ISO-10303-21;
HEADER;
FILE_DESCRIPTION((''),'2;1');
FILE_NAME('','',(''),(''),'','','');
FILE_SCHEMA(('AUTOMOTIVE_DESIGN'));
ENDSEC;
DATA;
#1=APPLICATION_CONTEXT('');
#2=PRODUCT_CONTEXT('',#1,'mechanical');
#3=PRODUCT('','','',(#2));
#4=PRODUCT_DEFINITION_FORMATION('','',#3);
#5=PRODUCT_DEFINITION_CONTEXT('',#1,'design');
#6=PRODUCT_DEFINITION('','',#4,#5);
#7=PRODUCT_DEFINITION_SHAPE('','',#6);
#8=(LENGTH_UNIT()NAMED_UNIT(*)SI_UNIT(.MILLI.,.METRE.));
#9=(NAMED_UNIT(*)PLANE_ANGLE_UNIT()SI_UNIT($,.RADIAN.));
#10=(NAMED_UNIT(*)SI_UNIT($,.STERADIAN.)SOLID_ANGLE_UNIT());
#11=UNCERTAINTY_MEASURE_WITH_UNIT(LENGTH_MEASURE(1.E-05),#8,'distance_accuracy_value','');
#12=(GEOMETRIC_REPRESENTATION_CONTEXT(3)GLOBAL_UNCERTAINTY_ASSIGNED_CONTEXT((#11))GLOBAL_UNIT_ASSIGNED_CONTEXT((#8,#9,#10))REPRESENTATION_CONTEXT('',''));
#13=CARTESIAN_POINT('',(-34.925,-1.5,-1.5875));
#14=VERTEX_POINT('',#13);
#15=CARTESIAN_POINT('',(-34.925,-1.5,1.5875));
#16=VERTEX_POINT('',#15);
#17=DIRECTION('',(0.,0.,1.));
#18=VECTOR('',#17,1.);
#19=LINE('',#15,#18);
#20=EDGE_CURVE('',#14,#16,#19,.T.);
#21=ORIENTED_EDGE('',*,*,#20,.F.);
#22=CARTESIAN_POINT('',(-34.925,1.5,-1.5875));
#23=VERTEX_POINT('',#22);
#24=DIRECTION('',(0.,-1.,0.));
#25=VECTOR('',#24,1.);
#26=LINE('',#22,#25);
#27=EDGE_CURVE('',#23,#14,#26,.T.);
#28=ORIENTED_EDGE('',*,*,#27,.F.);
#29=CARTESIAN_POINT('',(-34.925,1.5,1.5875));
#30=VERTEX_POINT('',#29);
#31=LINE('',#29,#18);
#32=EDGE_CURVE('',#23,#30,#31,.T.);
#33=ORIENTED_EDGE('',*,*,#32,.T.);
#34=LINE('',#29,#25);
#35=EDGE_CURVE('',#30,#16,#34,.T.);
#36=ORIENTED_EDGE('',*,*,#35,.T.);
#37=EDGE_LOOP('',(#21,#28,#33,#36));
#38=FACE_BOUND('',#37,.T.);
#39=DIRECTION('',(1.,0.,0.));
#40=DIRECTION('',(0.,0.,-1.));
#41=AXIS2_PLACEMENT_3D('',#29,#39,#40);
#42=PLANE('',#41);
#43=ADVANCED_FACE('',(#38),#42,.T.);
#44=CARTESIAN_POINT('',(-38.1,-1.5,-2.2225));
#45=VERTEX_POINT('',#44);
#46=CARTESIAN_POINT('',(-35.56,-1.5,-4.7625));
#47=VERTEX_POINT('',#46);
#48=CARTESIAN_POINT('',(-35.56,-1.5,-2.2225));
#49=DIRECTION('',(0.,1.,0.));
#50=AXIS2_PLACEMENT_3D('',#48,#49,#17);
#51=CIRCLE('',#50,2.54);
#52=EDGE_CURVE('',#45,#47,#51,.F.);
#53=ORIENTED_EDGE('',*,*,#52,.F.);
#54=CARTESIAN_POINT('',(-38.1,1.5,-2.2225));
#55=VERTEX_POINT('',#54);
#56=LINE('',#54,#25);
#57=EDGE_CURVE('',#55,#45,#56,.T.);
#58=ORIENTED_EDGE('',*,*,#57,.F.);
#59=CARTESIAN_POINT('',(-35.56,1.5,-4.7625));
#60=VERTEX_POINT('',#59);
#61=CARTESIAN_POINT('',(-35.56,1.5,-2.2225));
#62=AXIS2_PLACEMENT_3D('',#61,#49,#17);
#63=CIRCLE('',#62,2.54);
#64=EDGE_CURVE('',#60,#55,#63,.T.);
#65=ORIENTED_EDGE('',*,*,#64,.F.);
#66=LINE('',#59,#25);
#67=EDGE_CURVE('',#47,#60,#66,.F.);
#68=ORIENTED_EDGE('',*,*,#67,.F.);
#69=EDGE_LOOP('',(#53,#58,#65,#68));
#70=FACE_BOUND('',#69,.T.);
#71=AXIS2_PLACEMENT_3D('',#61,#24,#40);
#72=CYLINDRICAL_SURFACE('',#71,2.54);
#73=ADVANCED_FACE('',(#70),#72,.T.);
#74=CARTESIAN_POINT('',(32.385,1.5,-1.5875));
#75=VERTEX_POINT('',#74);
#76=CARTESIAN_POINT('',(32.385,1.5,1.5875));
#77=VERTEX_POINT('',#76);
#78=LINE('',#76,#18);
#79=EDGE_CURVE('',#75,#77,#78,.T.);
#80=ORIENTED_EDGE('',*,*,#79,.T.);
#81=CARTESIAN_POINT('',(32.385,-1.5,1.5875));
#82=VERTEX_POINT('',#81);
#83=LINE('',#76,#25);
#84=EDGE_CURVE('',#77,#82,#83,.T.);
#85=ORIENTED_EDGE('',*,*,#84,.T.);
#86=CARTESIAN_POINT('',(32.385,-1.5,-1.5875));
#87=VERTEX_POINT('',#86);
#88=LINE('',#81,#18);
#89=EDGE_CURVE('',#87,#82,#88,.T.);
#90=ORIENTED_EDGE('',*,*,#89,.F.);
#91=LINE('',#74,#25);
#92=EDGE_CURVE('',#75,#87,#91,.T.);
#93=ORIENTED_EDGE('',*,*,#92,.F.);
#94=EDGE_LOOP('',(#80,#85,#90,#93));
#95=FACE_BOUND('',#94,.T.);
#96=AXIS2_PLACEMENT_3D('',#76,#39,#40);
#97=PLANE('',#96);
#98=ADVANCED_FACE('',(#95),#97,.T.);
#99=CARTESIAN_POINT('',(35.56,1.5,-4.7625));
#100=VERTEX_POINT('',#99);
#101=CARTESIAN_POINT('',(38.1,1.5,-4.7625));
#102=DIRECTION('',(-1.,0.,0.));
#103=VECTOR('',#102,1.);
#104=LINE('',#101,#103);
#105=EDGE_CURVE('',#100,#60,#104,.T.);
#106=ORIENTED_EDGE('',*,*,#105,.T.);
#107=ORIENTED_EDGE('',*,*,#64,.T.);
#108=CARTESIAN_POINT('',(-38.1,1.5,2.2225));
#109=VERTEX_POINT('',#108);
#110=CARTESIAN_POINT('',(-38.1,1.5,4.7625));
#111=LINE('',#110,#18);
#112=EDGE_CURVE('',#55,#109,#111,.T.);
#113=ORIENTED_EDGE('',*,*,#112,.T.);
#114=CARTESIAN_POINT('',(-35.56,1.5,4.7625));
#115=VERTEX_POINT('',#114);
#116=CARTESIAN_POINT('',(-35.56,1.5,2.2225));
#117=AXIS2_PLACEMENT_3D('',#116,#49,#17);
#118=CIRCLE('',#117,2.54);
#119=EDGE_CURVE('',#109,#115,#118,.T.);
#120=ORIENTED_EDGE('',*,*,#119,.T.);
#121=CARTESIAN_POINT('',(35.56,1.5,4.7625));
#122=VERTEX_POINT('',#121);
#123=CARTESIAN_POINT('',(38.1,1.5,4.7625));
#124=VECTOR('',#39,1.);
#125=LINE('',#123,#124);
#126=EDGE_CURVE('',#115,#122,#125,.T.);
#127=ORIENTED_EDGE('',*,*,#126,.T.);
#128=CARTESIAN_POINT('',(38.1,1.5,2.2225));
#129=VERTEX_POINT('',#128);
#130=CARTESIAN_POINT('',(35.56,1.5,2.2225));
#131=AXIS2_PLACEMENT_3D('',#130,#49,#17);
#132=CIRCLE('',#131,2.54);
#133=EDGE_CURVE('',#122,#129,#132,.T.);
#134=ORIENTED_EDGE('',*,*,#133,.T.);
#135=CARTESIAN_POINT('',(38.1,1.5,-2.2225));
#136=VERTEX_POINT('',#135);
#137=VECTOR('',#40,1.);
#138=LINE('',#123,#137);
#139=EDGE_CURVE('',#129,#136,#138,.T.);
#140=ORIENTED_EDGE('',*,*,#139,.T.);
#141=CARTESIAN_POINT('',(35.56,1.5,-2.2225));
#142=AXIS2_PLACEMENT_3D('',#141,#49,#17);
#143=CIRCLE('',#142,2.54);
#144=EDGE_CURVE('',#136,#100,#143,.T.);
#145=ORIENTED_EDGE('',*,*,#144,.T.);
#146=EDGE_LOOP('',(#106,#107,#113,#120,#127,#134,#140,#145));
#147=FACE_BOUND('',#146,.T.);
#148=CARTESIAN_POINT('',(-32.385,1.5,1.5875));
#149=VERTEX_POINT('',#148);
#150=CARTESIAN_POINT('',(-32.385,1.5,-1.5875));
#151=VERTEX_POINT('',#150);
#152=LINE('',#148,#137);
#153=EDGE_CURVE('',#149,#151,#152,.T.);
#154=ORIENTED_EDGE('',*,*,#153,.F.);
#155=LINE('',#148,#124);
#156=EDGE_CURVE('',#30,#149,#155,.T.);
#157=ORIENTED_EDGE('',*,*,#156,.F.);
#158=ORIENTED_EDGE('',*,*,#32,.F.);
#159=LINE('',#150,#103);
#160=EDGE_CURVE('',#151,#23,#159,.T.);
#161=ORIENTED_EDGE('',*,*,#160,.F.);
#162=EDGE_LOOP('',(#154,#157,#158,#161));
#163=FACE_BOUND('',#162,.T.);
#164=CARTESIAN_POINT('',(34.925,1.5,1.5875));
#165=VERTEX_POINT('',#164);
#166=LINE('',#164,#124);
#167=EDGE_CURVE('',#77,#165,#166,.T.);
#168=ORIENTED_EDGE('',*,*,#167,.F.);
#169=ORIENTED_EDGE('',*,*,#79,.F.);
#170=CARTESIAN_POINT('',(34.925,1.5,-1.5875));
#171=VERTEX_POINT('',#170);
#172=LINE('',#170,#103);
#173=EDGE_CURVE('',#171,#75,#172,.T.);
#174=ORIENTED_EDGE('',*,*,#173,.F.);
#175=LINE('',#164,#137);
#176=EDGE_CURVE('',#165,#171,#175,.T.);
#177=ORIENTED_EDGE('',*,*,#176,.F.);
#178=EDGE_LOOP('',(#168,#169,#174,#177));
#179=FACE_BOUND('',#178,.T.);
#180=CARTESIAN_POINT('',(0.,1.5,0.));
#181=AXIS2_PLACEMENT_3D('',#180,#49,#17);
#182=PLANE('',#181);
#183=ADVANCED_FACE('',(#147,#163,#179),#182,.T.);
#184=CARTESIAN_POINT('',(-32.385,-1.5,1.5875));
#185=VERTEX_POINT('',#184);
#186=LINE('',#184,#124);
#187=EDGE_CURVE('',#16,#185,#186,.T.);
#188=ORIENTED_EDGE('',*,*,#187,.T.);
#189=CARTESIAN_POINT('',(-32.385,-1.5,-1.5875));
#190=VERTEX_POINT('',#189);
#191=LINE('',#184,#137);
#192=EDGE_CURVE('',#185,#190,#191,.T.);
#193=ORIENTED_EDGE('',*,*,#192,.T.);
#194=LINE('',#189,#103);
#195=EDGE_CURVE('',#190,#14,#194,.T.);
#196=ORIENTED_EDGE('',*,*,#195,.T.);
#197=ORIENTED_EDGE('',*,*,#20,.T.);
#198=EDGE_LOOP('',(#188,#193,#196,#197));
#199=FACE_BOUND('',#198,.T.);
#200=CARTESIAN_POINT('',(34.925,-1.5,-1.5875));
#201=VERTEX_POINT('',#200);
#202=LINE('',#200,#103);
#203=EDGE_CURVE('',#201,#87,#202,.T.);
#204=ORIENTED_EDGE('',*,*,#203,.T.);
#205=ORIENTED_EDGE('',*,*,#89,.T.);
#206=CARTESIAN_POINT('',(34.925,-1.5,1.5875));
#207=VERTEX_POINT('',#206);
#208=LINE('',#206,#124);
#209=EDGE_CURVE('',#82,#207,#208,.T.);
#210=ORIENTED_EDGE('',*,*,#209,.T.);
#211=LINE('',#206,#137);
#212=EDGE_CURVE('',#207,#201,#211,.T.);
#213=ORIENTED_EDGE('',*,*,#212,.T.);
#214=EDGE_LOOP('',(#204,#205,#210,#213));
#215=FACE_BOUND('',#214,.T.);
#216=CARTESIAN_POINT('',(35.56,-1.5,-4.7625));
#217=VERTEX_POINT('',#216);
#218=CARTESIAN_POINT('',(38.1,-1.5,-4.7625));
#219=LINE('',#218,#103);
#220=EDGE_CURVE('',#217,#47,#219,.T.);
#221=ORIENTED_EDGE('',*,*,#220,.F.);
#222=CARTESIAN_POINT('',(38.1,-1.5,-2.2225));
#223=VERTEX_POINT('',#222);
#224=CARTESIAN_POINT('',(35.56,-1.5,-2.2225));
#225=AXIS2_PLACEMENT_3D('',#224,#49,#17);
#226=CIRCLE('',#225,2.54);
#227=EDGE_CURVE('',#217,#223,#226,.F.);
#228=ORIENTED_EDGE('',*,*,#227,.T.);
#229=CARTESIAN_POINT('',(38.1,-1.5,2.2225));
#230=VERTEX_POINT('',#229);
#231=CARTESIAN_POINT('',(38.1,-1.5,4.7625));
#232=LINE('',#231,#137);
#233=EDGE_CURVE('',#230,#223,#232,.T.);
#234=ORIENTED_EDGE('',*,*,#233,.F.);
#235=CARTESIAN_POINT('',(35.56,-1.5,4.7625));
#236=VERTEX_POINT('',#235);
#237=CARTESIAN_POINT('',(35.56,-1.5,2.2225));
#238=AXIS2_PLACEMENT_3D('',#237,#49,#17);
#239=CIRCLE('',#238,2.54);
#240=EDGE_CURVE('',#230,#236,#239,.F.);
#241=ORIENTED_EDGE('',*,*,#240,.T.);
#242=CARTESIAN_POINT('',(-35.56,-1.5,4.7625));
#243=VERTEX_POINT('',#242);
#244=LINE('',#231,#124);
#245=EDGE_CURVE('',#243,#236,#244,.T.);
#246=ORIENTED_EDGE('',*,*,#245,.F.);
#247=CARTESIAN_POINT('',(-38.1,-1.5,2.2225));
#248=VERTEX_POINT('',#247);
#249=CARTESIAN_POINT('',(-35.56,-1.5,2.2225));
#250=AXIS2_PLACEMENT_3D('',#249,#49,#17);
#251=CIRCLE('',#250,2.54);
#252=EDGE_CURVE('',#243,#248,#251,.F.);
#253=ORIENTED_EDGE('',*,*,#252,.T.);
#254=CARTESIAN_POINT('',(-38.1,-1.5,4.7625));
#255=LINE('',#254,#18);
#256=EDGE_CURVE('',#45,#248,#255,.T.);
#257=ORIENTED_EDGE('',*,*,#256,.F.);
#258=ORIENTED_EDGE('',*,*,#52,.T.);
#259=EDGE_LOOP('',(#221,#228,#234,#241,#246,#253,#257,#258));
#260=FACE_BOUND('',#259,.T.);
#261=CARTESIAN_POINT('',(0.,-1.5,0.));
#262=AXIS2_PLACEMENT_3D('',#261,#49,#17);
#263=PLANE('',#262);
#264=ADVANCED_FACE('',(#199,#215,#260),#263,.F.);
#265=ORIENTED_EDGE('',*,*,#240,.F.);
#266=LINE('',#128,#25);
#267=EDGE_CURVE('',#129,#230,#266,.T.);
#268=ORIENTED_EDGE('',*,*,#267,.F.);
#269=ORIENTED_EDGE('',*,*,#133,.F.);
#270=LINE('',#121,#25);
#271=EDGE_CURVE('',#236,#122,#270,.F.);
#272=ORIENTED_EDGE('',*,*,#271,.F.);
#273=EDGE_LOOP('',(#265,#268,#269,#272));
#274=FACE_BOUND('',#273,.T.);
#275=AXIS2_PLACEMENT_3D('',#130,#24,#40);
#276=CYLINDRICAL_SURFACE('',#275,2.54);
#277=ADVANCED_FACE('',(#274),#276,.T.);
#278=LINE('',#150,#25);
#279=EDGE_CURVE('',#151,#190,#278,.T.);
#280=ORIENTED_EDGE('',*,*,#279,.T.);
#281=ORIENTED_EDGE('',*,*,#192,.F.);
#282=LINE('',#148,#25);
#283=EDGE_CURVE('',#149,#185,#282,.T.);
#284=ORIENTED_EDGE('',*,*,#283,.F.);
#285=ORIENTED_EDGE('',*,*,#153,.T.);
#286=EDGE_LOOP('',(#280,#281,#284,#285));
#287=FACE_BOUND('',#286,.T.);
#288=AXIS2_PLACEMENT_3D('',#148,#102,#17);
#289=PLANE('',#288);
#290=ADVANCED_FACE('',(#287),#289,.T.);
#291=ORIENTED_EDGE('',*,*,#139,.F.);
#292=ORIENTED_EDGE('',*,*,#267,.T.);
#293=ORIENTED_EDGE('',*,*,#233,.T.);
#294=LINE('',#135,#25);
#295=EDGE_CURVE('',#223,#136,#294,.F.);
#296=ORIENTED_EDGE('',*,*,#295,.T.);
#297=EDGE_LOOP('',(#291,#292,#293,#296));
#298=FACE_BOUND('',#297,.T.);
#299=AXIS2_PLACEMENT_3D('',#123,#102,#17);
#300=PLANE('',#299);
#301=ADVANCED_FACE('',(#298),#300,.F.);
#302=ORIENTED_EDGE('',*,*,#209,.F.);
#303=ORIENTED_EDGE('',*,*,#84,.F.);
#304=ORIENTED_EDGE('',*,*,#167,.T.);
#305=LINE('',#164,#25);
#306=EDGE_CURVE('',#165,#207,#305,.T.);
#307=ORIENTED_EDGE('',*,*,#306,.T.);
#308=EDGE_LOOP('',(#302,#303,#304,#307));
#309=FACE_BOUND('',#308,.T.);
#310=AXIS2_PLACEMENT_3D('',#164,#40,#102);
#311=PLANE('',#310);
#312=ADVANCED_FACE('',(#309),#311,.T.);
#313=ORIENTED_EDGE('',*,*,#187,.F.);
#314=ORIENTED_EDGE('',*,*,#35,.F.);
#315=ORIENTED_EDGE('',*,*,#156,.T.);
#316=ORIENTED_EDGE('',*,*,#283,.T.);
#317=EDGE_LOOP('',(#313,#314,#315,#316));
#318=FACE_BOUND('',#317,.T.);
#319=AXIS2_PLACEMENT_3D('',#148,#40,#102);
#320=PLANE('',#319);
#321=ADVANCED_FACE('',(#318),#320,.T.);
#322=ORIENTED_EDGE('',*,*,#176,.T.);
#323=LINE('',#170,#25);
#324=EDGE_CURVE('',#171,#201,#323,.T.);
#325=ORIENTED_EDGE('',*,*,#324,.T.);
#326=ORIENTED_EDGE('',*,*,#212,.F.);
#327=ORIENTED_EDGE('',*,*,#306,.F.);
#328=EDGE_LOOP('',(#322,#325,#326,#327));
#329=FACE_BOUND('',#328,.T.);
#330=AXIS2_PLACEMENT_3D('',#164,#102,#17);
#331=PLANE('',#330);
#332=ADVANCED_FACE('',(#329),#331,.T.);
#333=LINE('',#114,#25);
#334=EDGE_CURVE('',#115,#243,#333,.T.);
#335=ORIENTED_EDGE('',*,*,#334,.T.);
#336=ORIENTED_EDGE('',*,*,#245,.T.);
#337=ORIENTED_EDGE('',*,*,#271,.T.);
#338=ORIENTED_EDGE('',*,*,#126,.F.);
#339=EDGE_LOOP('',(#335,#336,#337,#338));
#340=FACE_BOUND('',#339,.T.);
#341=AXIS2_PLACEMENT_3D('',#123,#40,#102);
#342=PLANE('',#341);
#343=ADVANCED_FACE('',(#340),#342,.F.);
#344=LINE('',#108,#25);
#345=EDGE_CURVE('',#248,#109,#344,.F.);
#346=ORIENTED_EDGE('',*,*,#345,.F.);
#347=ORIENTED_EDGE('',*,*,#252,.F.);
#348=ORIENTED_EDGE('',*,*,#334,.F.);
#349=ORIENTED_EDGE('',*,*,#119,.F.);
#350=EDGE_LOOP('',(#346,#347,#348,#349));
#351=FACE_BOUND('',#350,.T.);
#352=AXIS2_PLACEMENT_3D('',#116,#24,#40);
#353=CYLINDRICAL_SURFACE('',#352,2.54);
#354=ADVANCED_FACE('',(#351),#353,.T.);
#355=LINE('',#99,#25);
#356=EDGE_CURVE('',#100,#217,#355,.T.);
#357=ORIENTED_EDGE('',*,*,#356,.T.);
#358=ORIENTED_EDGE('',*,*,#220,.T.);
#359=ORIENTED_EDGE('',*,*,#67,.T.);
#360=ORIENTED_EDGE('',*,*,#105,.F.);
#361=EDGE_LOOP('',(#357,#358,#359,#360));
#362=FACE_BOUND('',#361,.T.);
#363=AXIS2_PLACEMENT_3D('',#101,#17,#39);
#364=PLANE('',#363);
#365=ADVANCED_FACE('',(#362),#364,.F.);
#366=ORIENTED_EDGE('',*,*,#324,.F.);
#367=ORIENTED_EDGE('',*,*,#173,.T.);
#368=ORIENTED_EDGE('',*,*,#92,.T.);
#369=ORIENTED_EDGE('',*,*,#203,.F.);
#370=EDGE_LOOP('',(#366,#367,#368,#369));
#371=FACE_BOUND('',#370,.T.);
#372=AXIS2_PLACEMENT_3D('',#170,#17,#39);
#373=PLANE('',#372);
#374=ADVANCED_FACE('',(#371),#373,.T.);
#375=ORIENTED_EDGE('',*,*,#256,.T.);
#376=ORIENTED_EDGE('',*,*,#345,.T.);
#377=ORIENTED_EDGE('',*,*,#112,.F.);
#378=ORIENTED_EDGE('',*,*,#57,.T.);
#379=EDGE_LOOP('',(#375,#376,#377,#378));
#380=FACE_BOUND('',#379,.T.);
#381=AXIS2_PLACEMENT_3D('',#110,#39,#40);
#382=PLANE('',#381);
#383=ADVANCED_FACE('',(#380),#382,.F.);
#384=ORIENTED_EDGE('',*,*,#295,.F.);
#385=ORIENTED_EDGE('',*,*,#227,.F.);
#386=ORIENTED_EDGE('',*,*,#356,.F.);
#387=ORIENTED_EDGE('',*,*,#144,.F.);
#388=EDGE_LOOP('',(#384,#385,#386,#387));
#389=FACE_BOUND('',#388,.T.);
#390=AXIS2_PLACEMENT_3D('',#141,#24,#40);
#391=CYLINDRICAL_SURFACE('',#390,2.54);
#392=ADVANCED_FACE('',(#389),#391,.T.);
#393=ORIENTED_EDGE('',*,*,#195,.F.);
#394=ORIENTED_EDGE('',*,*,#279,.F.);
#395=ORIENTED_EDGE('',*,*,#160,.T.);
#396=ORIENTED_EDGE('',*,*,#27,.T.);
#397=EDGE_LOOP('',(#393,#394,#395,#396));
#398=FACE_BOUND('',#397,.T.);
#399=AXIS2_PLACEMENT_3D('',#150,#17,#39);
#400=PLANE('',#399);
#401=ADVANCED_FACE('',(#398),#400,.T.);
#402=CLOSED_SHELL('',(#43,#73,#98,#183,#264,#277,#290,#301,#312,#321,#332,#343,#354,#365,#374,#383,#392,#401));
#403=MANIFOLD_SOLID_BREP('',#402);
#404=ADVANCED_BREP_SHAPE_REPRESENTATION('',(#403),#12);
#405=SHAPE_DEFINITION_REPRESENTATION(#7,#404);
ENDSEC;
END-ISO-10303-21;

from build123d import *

# Parameters (mm, degrees)
SKETCH1_W           = 76.2
SKETCH1_H           = 9.525
SKETCH1_W_2         = 2.54
SKETCH1_H_2         = 3.175
BOSS_EXTRUDE1_DEPTH = 1.5
FILLET1_R           = 2.54


with BuildPart() as part:
    # Sketch1 → Boss-Extrude1 (new, symmetric)
    with BuildSketch(Plane(origin=(0, 0, 0), x_dir=(1, 0, 0), z_dir=(0, 1, 0))):
        Rectangle(SKETCH1_W, SKETCH1_H)
        with Locations((-33.655, 0)):
            Rectangle(SKETCH1_W_2, SKETCH1_H_2, mode=Mode.SUBTRACT)
        with Locations((33.655, 0)):
            Rectangle(SKETCH1_W_2, SKETCH1_H_2, mode=Mode.SUBTRACT)
    extrude(amount=BOSS_EXTRUDE1_DEPTH, both=True)

    # Fillet1
    fillet1_edges = [part.edges().sort_by_distance(p)[0] for p in [
        (-38.1, 0, -4.7625),
        (38.1, 0, -4.7625),
        (38.1, 0, 4.7625),
        (-38.1, 0, 4.7625),
    ]]
    fillet(fillet1_edges, radius=FILLET1_R)


solid = part.part
